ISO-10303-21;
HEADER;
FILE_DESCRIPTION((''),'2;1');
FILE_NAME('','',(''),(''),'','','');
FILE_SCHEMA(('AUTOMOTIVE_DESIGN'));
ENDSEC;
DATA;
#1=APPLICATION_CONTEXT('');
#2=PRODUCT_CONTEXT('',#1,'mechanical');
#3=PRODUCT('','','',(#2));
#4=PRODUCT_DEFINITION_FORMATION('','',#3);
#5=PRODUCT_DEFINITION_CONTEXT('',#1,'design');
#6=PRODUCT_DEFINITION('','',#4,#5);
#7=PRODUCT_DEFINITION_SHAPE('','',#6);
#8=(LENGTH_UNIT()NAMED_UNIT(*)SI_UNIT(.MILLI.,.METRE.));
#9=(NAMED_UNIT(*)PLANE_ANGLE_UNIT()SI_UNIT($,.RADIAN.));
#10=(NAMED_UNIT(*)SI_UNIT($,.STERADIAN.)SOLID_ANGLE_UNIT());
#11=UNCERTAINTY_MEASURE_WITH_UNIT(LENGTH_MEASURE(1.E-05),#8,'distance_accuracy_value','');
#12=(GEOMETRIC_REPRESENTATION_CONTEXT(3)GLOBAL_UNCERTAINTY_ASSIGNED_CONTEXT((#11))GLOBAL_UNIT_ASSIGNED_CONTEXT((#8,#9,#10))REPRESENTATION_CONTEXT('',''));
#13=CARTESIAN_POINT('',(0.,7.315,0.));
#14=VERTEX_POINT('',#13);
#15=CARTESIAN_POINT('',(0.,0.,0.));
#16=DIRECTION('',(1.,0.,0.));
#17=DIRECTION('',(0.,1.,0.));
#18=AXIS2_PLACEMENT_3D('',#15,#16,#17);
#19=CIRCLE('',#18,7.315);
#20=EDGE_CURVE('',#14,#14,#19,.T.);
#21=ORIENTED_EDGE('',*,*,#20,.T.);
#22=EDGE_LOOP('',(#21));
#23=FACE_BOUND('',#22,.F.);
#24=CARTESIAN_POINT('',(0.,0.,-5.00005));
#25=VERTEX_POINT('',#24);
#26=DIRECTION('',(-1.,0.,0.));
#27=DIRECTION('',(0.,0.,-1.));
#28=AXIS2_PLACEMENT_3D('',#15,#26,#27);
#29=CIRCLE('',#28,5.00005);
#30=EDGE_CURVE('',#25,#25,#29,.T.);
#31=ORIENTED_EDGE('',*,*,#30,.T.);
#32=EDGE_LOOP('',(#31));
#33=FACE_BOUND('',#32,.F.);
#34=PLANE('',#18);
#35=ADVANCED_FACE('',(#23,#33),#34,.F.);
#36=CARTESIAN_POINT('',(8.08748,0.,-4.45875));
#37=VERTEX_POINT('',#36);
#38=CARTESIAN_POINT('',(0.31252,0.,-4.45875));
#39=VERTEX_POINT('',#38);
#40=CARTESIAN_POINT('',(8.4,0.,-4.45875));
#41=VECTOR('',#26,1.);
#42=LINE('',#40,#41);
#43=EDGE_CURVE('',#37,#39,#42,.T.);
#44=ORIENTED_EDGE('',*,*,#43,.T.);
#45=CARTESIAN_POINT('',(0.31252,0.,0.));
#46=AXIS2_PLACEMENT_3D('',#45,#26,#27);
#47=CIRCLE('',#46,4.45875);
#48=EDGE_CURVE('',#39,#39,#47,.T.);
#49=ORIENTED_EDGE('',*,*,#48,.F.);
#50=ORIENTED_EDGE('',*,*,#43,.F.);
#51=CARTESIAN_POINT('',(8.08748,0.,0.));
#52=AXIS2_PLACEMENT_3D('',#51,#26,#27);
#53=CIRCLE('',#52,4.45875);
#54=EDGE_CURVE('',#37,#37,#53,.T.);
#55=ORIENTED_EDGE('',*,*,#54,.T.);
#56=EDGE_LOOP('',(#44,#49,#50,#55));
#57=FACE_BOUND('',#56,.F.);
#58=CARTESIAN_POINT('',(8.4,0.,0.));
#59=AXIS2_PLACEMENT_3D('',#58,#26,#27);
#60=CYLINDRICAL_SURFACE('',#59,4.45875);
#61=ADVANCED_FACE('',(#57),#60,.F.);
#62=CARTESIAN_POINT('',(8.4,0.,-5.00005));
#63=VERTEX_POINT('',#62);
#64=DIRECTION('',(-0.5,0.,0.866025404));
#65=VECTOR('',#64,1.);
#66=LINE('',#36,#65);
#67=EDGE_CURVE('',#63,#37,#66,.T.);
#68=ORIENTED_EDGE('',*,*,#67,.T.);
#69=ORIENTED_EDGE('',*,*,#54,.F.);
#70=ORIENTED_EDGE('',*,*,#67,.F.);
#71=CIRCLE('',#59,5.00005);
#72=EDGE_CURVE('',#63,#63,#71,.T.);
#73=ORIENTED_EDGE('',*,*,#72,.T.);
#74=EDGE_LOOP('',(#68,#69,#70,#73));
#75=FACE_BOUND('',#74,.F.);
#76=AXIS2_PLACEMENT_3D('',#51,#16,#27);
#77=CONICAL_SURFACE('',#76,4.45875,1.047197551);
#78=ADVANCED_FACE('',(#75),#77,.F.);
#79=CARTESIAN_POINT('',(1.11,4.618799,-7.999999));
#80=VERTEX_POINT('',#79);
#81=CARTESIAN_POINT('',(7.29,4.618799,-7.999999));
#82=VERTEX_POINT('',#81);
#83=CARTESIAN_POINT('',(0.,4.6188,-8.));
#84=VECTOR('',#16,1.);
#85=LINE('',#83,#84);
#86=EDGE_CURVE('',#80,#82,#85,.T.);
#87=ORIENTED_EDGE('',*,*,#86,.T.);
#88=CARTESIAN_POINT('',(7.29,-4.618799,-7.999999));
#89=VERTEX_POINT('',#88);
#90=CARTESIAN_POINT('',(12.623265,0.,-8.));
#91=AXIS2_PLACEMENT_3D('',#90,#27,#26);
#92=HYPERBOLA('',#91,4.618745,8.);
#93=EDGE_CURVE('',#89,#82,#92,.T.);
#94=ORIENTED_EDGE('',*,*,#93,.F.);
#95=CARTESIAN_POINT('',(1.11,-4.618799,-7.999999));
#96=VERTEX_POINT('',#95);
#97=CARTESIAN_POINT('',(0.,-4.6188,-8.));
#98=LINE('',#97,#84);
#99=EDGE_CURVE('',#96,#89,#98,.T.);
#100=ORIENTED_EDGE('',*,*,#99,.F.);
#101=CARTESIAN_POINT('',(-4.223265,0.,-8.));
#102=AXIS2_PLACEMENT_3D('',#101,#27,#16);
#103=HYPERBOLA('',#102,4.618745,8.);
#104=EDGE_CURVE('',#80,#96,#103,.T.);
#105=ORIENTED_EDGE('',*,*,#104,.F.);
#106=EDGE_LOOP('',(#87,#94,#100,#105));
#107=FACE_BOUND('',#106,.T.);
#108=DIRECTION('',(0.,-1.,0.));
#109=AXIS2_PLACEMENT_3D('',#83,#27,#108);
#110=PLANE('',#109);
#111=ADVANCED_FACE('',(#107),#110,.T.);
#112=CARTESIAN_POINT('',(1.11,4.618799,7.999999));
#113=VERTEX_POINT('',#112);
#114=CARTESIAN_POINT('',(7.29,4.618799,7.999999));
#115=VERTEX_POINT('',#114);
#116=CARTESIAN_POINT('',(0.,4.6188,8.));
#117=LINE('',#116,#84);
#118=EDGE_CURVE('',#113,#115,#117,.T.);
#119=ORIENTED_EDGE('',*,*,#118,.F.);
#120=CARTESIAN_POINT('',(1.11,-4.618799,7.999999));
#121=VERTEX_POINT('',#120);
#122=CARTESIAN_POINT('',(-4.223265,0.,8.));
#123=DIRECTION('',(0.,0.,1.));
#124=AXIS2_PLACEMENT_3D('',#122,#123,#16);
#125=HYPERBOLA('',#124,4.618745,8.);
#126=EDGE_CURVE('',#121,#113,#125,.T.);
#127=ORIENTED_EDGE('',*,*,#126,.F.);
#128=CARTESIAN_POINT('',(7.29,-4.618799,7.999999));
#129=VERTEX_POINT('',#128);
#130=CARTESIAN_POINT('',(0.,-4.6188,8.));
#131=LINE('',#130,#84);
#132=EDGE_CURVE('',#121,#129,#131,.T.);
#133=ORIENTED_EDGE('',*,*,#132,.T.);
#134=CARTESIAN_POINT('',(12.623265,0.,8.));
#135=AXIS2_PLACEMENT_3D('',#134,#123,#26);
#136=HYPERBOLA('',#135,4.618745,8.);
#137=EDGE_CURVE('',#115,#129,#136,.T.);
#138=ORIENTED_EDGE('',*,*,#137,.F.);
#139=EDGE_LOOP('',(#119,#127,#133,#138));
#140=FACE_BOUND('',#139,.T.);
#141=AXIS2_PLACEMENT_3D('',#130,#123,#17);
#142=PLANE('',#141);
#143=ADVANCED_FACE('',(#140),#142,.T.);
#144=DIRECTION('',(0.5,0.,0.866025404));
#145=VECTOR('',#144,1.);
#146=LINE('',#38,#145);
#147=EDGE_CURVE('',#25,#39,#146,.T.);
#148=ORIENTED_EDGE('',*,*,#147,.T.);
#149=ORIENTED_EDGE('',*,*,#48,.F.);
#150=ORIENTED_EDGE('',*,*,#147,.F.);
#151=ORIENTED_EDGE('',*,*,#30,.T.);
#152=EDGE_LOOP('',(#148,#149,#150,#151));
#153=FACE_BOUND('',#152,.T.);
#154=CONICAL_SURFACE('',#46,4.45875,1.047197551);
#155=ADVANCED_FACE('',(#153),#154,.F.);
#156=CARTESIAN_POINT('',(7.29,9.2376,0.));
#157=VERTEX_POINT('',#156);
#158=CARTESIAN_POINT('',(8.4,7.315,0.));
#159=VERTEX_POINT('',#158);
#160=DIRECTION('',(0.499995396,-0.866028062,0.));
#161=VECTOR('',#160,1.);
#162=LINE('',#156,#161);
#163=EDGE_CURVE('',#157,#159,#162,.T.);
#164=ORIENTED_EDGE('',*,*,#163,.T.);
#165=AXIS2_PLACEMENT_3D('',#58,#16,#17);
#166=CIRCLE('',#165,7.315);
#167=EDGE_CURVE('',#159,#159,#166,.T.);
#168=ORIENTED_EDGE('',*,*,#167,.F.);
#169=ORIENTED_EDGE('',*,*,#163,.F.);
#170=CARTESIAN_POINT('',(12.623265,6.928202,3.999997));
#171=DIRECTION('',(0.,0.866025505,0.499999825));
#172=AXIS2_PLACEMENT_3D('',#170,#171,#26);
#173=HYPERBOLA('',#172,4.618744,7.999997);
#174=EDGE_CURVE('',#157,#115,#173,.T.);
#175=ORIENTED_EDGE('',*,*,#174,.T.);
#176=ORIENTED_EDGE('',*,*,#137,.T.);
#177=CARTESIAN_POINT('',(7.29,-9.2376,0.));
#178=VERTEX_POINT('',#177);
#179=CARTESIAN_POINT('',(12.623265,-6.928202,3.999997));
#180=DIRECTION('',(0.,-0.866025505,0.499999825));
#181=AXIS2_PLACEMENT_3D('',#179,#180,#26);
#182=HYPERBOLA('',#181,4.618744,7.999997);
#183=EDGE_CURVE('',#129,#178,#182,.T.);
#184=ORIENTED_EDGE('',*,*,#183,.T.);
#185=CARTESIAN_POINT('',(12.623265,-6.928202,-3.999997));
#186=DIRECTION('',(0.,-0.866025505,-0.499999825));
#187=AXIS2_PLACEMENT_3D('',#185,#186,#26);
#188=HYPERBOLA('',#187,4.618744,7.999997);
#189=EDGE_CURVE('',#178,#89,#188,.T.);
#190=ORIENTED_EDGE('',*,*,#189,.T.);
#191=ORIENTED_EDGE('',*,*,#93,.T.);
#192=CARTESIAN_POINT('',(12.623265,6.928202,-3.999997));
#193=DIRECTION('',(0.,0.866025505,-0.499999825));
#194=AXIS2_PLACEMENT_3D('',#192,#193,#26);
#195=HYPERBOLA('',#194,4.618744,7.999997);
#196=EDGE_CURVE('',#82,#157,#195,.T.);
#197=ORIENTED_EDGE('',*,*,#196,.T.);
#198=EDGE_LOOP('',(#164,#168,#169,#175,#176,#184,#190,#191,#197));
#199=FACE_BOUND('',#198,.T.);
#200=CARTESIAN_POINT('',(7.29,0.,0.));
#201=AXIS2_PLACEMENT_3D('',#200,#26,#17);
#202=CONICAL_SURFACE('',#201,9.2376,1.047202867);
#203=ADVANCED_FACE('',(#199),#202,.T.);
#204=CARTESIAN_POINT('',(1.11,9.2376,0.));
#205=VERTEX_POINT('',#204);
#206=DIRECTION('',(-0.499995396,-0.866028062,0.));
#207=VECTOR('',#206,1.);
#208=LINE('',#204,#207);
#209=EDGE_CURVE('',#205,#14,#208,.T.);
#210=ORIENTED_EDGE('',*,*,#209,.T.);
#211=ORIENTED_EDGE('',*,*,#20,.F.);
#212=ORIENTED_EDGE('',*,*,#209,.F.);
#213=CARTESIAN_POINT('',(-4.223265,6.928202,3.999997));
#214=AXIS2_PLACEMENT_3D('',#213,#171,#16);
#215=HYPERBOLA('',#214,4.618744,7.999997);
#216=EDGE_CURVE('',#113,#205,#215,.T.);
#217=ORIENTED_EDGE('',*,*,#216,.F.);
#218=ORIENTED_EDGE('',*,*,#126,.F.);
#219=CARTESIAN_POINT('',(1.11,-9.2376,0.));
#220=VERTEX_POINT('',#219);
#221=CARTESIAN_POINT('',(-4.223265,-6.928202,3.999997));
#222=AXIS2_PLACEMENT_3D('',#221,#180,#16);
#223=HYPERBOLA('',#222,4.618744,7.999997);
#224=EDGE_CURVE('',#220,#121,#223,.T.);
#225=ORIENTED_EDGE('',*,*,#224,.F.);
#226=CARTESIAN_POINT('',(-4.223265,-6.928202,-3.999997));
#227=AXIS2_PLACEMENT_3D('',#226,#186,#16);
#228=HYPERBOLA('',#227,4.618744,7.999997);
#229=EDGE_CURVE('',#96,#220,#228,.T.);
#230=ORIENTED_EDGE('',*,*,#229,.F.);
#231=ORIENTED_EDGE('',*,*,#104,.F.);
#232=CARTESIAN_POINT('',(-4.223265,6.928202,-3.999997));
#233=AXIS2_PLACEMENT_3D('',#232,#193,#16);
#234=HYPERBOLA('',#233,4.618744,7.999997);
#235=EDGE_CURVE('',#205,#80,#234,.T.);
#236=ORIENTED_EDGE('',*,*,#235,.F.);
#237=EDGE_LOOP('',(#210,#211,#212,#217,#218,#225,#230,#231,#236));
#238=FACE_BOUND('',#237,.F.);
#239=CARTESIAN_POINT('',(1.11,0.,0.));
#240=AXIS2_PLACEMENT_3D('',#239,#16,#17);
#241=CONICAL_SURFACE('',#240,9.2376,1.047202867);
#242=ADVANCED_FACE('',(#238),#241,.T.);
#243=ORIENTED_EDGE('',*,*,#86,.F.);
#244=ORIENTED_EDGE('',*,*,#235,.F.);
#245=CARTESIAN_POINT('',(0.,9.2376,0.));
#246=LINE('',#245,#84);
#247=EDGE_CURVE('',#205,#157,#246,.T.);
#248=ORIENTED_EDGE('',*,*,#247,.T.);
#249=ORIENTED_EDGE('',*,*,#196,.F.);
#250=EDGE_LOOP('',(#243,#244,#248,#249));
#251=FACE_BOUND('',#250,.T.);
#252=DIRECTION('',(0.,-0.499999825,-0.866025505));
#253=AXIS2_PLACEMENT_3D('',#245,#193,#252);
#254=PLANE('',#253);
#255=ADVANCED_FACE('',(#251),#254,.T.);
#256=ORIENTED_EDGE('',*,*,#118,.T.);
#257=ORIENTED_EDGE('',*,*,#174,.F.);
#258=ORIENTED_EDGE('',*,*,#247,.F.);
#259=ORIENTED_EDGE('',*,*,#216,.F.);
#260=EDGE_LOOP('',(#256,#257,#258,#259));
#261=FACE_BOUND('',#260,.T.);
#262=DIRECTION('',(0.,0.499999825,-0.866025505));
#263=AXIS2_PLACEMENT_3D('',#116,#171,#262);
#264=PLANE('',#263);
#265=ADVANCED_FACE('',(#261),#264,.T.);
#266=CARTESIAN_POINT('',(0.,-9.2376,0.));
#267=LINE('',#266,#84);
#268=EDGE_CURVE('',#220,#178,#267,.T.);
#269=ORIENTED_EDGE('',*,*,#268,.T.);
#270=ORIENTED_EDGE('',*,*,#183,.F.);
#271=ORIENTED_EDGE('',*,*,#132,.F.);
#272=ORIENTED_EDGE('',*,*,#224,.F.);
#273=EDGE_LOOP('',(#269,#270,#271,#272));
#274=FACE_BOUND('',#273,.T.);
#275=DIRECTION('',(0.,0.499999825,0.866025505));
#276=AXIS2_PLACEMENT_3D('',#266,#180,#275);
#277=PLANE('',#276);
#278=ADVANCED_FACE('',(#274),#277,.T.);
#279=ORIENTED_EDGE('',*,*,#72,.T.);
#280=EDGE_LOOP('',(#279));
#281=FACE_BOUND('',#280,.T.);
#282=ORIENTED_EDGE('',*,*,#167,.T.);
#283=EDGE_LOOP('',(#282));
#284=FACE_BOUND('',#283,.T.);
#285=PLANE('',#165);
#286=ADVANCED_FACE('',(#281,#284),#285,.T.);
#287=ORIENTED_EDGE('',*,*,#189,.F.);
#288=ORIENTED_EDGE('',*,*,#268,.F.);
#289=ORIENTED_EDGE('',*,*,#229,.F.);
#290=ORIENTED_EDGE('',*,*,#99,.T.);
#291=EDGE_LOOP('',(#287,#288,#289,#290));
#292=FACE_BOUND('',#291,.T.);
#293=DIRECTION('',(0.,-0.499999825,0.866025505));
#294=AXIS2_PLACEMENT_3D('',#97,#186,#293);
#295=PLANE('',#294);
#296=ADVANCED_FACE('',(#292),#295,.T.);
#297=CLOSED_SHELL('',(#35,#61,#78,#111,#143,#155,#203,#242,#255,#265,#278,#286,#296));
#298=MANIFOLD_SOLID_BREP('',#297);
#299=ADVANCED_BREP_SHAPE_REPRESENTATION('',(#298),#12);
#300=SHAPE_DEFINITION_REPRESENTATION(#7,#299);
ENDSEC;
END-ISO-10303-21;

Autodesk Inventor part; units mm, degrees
ref_plane "YZ Plane" through (0, 0, 0) normal (1, 0, 0) x (0, 1, 0)
ref_plane "XZ Plane" through (0, 0, 0) normal (0, 1, 0) x (-1, 0, 0)
sketch "Эскиз1" plane through (0, 0, 0) normal (1, 0, 0) x (0, 1, 0)
  line L0 (-9.2376, 0) -> (-4.6188, 8)
  line L1 (-4.6188, 8) -> (4.6188, 8)
  line L2 (4.6188, 8) -> (9.2376, 0)
  line L3 (9.2376, 0) -> (4.6188, -8)
  line L4 (4.6188, -8) -> (-4.6188, -8)
  line L5 (-4.6188, -8) -> (-9.2376, 0)
  point P0 (0, 0)
  point P1 (0, 0)
  dimension "d0" = 18.4752
extrude "Базовый элемент" add sketch "Эскиз1" along normal blind 8.4
sketch "Эскиз2" plane through (0, 0, 0) normal (0, 0, 1) x (1, 0, 0)
  line L0 (0, 4.6188) -> (0, 9.2376) projected
  line L1 (0, 9.2376) -> (8.4, 9.2376) projected
  line L2 (8.4, 4.6188) -> (8.4, 9.2376) projected
  line L3 (-1.68, 0) -> (10.08, 0) projected
  line L4 (1.11, 9.2376) -> (0, 7.315)
  line L5 (7.29, 9.2376) -> (8.4, 7.315)
  dimension "d3" = 30
  dimension "d4" = 30
  dimension "d5" = 14.63
  dimension "d6" = 14.63
revolve "Фаска1" cut sketch "Эскиз2" angle 360 about axis through (-10, 0, 0) along (1, 0, 0)
sketch "Эскиз3" plane through (8.4, 0, 0) normal (1, 0, 0) x (0, 0, -1)
  arc A0 (-0.625, -1.0825) -> (0.625, -1.0825) centre (0, 0) ccw projected
hole "Резьба" at (8.4, 0, 0) direction (-1, 0, 0) diameter 8.9175 end through all thread size "M10x1" class "6H" standard "ISO Metric profile"
chamfer "Фаска2" distance 0.5413 angle 30 1 edges at (8.4, 0, 4.4587) measured on face at (8.4, 6.2812, -0.7627)
chamfer "Фаска3" distance 0.5413 angle 30 1 edges at (0, 0, 4.4587) measured on face at (0, 6.2812, -0.7627)
ref_plane "Work Plane1" through (-17.5922, 0, 0) normal (0, -0.866, -0.5) x (1, 0, 0)
equation "\"d0\" = 1.1547 * SW"
equation "\"d1\" = KOH"
equation "\"d3\" = ANG1"
equation "\"d4\" = ANG2"
equation "\"d5\" = SW0"
equation "\"d6\" = SW01"
equation "\"d8\" = -0.5 * GD1 + 0.5 * NND"
equation "\"d40\" = -0.5 * GD1 + 0.5 * NND"
equation "\"d10\" = -0.5 * GD1 + 0.5 * NND"
equation "\"d41\" = -0.5 * GD1 + 0.5 * NND"
equation "\"ANG1\" = 30deg"
equation "\"ANG2\" = 30deg"
equation "\"KOH\" = 8.4"
equation "\"SW\" = 16"
equation "\"SW0\" = 14.63"
equation "\"SW01\" = SW0"
equation "\"GUL\" = 0.541266 * PTC"
equation "\"LADI\" = 12.345"
equation "\"TOA\" = 30deg"
equation "\"FAWI\" = 30deg"
equation "\"PTC\" = 1"
equation "\"E0\" = 1.155 * SW"
equation "\"GAL\" = 0.541266 * PTC"
equation "\"GD1\" = 8.917468"
equation "\"NND\" = 10"
properties part number "Копия гайки M10x1-6H ГОСТ 5915-70" material "Сталь, мягкая"
